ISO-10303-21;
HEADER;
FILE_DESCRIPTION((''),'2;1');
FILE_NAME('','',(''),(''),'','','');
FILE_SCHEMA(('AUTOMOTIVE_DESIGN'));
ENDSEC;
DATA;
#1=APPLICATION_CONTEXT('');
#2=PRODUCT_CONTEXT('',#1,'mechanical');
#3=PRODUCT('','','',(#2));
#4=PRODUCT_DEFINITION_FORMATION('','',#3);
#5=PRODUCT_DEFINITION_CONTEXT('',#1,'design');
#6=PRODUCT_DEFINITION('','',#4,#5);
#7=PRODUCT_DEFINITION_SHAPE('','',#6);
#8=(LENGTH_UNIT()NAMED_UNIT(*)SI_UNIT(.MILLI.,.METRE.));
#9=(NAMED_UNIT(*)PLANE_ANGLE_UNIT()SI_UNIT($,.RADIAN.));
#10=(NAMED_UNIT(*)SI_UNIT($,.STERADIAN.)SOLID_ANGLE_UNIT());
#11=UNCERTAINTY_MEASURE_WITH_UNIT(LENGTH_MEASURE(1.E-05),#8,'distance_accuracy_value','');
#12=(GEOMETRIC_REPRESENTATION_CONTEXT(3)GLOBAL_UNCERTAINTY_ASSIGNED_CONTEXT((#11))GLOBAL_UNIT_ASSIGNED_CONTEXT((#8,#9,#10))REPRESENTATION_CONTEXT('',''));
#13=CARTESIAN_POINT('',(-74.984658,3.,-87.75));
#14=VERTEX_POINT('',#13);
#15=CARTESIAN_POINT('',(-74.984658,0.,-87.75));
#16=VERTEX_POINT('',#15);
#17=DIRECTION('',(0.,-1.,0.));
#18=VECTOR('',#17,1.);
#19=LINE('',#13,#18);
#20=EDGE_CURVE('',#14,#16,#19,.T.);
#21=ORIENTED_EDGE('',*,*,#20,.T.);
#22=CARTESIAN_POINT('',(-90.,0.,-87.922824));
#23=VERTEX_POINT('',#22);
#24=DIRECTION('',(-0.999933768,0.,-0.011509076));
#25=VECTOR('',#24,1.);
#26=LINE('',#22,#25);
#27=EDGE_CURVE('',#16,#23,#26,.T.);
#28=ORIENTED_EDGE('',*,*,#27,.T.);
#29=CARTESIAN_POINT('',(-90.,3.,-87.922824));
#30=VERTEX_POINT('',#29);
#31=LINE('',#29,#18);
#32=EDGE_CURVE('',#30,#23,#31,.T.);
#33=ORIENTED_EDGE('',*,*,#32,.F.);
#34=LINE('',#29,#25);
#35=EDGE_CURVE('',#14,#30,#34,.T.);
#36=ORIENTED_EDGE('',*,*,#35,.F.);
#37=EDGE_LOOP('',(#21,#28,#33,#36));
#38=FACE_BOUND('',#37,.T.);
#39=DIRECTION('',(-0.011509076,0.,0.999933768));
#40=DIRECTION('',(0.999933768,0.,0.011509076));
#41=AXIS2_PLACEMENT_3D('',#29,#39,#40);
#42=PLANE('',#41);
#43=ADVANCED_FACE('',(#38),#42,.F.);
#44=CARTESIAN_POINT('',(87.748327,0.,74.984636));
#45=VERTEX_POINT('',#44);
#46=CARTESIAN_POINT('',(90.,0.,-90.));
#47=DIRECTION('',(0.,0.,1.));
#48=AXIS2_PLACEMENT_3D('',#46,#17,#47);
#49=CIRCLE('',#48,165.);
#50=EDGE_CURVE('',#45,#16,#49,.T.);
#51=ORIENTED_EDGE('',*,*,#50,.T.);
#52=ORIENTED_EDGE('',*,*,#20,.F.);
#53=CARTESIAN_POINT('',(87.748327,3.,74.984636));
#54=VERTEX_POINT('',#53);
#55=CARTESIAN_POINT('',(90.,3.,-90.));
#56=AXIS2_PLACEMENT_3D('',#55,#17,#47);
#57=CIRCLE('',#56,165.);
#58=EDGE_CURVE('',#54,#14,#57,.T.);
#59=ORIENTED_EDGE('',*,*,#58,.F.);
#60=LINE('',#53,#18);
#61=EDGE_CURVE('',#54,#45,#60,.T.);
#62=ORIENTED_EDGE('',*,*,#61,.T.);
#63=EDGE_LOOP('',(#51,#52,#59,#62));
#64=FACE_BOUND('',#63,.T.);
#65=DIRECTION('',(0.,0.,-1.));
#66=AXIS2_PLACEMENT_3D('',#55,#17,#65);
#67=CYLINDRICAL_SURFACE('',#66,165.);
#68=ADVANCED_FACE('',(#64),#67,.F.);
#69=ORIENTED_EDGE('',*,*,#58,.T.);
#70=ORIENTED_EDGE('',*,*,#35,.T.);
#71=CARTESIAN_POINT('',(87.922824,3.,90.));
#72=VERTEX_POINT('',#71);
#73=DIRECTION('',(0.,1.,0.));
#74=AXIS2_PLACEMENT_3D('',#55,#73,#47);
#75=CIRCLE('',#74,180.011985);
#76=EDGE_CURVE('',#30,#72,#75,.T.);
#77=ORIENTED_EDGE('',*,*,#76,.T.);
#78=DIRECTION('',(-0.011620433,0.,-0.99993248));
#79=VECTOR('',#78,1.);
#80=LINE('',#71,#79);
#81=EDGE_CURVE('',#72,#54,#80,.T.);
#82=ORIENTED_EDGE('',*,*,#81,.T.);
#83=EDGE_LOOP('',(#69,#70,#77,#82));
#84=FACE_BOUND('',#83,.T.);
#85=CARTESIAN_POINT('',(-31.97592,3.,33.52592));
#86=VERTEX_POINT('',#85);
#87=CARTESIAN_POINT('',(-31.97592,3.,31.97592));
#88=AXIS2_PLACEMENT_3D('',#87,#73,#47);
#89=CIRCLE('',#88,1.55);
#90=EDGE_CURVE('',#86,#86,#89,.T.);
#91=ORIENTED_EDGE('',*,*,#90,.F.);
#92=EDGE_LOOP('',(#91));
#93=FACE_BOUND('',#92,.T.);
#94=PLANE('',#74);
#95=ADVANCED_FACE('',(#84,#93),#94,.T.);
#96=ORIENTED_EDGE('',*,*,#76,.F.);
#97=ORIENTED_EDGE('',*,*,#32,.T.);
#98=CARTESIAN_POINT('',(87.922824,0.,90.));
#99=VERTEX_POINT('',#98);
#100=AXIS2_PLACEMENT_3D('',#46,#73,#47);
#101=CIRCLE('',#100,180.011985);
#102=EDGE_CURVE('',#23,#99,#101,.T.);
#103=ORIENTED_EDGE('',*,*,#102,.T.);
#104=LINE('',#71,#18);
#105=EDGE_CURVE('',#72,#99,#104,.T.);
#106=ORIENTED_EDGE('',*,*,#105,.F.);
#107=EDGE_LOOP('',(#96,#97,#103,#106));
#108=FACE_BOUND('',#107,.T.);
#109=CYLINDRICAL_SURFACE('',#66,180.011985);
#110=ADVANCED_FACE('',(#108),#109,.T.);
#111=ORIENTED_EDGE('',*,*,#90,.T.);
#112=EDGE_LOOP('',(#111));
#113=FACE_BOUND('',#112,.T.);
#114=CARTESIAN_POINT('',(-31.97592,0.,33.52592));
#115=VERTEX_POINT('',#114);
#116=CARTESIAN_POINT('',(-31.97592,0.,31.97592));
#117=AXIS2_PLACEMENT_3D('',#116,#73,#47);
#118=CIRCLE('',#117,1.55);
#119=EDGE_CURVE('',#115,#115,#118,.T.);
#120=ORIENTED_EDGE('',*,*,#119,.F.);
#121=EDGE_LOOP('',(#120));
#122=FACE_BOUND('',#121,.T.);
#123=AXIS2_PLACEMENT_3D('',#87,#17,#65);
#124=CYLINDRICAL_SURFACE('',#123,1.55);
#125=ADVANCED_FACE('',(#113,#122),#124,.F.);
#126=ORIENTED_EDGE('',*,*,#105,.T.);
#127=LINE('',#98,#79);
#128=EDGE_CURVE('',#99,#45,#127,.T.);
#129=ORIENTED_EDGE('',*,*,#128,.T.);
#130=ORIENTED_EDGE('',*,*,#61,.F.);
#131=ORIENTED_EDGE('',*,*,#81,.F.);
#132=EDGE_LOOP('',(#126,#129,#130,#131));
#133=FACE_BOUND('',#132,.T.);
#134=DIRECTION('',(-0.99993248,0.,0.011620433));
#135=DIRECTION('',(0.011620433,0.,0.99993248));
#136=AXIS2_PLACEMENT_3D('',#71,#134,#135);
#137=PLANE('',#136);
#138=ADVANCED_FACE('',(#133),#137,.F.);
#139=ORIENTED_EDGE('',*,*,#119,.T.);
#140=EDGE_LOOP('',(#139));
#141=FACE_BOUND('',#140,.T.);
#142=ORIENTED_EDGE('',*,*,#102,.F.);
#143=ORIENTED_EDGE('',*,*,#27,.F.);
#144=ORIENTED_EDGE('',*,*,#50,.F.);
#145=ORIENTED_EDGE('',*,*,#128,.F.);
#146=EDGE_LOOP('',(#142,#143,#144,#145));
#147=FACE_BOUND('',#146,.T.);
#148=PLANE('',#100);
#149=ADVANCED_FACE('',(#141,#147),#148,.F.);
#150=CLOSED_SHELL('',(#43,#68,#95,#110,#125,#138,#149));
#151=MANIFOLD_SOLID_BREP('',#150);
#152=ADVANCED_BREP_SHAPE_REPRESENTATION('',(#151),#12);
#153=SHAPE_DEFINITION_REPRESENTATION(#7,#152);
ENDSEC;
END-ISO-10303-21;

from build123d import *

# Parameters (mm, degrees)
SKETCH1_R           = 1.55
BOSS_EXTRUDE1_DEPTH = 3


with BuildPart() as part:
    # Sketch1 → Boss-Extrude1 (new body)
    with BuildSketch(Plane(origin=(0, 0, 0), x_dir=(1, 0, 0), z_dir=(0, 1, 0))):
        with BuildLine():
            Line((-90, 87.922824157), (-74.984658378, 87.75))
            ThreePointArc((-74.984658378, 87.75), (-26.673210325, -26.672027463), (87.748327336, -74.984635558))
            Line((87.748327336, -74.984635558), (87.922824157, -90))
            ThreePointArc((87.922824157, -90), (-37.287695123, -37.287695123), (-90, 87.922824157))
        make_face()
        with Locations(Location((-31.975919755, -31.975919755, 0), (0, 0, 270))):
            Circle(SKETCH1_R, mode=Mode.SUBTRACT)
    extrude(amount=BOSS_EXTRUDE1_DEPTH)


solid = part.part
